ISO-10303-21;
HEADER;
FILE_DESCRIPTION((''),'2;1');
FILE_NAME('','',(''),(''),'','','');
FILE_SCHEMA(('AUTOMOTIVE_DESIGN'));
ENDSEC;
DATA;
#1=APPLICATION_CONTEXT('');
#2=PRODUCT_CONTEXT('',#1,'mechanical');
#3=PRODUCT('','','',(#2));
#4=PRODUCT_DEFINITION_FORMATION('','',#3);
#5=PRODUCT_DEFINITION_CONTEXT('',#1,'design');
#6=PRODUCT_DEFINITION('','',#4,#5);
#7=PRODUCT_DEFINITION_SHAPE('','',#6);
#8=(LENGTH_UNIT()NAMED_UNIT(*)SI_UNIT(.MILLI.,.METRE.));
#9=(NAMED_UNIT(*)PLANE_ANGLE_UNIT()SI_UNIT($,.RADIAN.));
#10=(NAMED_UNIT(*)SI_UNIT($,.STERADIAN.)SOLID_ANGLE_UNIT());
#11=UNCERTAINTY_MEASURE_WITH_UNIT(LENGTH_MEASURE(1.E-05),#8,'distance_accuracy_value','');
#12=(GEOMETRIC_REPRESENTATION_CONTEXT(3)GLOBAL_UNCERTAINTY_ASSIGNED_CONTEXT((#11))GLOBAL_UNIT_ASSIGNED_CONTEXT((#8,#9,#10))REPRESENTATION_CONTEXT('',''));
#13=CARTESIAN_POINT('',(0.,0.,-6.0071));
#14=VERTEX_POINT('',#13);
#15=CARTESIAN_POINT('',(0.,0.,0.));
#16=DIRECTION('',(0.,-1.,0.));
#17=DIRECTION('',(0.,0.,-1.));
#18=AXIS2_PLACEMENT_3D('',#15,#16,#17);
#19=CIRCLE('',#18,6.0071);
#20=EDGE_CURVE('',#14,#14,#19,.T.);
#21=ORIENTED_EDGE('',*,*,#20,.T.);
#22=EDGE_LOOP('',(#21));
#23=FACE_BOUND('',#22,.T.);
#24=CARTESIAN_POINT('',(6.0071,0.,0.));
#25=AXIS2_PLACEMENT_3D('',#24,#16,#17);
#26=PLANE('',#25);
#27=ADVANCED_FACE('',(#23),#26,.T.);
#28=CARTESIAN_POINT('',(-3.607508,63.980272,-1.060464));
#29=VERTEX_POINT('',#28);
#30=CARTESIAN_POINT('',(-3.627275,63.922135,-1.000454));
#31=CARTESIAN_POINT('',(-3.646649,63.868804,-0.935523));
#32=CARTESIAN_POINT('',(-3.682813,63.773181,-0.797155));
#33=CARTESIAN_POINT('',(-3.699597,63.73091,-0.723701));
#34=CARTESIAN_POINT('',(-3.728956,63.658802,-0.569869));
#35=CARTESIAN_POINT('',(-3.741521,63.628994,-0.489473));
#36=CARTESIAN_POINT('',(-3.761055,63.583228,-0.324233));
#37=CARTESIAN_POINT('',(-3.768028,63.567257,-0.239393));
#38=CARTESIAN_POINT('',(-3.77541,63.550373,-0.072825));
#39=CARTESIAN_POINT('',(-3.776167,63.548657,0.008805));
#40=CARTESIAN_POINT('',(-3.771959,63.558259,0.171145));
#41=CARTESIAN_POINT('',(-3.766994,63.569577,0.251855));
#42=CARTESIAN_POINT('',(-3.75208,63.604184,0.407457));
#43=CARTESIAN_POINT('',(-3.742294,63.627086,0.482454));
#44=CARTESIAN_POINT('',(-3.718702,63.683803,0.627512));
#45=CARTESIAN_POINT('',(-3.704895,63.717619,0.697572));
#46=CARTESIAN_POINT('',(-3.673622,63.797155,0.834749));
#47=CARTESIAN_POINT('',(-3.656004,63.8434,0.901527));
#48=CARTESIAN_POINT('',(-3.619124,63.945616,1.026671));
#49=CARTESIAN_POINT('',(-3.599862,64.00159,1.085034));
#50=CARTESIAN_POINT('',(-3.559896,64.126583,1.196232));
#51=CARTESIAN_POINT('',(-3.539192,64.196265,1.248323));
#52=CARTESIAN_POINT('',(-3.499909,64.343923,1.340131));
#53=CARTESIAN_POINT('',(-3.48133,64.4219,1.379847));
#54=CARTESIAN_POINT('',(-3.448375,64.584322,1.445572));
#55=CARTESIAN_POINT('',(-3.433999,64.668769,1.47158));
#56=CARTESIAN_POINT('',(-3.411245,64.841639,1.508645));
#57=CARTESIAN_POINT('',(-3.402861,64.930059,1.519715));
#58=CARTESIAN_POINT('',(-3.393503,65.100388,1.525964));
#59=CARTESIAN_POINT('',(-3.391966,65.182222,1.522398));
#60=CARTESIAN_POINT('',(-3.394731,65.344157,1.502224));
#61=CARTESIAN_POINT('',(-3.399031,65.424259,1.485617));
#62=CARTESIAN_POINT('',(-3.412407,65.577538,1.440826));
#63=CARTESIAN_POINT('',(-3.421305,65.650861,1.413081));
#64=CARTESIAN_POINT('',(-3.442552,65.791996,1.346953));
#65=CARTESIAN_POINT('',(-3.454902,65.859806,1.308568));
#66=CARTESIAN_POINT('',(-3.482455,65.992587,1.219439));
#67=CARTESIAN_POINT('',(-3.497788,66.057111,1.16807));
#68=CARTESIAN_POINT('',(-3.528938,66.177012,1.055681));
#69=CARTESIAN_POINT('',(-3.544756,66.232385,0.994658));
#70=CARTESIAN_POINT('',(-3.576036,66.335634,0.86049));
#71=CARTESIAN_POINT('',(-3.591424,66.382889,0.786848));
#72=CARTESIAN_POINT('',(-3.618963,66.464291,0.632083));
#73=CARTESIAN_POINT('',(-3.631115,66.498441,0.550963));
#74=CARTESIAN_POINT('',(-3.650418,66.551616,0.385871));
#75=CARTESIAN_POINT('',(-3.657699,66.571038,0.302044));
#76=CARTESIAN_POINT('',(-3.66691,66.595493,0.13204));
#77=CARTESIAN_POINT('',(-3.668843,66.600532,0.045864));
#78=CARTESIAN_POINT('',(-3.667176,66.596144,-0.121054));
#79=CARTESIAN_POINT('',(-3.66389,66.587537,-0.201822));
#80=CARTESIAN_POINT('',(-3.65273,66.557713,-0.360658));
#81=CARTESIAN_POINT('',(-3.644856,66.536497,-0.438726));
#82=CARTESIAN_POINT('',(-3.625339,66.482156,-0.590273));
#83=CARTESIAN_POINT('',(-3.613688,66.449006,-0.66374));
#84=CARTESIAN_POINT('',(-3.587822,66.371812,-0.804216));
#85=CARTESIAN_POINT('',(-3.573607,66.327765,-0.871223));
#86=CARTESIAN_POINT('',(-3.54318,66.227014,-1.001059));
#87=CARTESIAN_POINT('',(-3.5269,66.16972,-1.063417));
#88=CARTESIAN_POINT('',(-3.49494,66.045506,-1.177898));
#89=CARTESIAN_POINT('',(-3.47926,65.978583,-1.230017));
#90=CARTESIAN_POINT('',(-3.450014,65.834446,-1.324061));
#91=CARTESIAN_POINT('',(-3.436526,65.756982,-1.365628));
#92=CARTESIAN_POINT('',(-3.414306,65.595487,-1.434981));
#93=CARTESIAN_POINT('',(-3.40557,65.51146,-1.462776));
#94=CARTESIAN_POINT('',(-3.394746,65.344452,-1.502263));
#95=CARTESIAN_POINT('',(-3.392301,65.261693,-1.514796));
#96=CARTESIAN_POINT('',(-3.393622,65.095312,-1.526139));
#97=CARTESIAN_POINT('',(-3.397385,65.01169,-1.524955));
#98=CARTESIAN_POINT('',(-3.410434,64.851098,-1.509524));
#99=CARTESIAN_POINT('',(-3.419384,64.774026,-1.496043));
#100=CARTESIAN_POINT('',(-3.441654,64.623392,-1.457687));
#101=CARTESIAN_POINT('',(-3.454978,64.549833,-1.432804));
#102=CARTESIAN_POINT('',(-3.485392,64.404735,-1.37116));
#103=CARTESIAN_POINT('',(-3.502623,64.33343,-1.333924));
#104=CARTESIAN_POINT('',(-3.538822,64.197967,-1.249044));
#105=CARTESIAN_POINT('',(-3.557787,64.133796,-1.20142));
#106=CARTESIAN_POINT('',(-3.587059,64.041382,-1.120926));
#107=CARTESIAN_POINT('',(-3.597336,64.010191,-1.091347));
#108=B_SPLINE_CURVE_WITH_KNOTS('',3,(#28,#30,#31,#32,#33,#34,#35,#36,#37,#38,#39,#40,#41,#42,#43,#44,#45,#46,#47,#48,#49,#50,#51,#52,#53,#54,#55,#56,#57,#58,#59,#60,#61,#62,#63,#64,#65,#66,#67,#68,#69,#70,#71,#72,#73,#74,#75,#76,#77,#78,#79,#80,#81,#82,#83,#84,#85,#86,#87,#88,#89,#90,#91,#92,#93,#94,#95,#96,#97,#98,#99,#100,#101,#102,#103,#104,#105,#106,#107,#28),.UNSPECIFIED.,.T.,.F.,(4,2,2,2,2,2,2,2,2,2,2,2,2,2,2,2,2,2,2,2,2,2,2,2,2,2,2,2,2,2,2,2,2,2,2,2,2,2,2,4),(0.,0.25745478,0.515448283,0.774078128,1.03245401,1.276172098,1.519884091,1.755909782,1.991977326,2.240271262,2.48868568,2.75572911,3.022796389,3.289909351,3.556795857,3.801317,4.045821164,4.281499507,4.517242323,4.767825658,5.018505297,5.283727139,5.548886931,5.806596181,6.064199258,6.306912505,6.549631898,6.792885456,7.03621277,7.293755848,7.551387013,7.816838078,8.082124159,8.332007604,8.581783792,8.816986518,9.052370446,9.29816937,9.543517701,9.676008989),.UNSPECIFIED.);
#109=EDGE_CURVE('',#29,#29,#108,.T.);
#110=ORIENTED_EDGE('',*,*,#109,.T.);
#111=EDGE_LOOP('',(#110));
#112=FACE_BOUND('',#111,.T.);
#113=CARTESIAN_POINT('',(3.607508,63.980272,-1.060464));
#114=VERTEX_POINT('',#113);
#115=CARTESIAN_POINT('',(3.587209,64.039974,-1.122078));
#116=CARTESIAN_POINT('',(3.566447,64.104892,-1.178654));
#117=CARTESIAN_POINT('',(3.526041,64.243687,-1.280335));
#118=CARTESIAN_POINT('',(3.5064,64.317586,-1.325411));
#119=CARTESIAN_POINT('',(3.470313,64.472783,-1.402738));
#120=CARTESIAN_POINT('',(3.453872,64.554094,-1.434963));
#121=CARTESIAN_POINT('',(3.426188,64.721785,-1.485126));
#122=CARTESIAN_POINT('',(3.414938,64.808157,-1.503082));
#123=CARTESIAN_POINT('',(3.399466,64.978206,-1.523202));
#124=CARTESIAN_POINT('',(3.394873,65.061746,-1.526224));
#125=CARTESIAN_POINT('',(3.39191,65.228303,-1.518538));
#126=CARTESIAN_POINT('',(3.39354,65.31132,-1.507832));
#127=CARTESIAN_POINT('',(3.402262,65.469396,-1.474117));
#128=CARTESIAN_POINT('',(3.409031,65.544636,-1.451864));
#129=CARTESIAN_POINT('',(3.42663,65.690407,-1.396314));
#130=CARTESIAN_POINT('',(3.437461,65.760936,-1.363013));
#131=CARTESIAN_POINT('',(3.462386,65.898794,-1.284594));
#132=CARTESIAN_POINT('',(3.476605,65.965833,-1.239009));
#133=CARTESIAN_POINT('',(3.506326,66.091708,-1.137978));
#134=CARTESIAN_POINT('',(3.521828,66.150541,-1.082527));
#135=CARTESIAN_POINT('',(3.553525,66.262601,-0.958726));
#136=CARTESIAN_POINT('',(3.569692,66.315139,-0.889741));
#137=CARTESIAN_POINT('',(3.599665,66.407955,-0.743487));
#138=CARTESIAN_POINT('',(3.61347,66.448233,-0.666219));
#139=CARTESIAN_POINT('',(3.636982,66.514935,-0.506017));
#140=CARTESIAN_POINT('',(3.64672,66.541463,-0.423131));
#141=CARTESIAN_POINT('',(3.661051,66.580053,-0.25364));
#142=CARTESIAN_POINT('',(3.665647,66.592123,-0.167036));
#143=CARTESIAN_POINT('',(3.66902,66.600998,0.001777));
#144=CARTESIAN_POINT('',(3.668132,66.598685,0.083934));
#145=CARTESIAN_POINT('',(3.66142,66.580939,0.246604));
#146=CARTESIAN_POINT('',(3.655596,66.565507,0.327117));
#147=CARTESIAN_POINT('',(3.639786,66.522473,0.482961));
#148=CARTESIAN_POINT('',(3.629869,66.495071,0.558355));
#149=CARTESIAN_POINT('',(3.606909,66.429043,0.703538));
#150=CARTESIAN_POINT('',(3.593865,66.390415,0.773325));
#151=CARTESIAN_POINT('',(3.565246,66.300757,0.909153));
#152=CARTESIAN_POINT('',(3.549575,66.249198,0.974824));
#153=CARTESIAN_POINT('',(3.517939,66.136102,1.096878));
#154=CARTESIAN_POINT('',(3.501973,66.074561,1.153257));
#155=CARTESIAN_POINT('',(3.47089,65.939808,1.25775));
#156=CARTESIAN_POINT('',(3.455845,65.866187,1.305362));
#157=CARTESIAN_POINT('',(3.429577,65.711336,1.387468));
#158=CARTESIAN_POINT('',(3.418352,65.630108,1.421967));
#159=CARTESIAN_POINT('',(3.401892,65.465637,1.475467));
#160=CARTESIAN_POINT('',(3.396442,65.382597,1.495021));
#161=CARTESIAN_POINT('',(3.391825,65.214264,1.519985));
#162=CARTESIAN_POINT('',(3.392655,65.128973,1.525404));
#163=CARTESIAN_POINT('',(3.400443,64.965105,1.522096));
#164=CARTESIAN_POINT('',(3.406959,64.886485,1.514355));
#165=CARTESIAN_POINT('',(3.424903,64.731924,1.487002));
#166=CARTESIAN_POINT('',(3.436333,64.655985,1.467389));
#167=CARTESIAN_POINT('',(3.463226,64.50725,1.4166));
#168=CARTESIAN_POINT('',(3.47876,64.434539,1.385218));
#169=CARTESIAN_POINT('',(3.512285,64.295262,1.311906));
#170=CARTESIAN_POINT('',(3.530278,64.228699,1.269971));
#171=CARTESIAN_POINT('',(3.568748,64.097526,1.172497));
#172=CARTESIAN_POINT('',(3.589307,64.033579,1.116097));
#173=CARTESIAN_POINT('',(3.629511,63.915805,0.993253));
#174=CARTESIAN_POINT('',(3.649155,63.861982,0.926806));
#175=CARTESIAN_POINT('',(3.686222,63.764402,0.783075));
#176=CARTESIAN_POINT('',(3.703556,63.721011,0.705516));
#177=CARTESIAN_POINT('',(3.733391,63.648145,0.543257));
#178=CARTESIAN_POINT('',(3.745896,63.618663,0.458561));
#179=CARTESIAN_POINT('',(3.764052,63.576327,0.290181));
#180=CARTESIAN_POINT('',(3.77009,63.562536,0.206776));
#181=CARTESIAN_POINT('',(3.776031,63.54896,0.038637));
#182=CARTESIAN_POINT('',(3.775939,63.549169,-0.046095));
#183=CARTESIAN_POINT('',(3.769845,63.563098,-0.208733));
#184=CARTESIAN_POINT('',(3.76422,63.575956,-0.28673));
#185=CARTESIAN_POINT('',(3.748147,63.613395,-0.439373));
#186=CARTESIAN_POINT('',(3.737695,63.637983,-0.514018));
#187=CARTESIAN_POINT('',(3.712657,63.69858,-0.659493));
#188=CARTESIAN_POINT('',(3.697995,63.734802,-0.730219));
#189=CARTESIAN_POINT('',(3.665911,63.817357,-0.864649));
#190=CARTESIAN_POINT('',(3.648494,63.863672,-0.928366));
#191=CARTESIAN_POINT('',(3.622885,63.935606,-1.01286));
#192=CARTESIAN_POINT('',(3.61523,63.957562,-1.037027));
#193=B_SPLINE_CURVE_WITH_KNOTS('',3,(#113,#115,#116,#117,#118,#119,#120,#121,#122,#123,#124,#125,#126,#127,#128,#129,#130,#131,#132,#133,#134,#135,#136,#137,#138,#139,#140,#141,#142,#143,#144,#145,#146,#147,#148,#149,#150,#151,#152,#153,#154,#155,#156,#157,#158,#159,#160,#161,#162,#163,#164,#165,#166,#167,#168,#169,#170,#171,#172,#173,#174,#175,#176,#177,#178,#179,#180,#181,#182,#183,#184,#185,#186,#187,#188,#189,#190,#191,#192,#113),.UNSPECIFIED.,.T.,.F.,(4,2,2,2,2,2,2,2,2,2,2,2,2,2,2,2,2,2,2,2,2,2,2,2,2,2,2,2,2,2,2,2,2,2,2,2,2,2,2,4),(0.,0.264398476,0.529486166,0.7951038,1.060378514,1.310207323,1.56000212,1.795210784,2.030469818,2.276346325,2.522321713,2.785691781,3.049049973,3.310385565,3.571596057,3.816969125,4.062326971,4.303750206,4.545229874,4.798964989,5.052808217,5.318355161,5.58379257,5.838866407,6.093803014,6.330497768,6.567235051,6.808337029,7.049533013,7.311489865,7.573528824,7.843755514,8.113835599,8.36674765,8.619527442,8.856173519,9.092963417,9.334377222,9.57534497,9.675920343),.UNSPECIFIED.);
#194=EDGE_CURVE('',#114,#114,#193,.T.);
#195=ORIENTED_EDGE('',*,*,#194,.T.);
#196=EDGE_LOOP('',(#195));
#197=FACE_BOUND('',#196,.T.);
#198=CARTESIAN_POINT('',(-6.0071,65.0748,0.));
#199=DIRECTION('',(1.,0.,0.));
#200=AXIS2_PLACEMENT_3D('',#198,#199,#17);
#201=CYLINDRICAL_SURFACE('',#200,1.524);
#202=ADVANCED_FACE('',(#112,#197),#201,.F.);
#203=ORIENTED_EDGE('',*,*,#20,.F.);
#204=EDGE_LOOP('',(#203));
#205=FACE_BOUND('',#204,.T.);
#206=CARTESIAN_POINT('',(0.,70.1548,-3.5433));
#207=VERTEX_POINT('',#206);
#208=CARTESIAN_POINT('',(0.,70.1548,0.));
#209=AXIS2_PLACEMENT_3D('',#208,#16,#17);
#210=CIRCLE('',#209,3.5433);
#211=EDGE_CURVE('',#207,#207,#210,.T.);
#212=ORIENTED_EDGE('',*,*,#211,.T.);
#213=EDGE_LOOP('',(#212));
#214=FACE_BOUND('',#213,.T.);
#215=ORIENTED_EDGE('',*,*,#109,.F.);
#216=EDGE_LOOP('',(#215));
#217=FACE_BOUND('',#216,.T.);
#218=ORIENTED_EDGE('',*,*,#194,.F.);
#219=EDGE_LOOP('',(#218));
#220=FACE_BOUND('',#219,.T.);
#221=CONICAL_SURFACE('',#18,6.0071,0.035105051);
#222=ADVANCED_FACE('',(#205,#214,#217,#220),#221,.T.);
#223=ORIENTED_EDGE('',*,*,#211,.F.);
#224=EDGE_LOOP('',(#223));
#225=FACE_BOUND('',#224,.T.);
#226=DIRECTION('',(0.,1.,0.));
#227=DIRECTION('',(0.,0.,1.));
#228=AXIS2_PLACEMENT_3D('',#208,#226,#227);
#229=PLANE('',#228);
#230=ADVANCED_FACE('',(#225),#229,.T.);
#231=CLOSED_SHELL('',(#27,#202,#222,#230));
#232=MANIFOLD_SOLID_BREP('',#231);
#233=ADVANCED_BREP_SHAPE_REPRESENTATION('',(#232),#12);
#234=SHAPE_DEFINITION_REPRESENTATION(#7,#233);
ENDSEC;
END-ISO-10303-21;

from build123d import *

# Parameters (mm, degrees)
CUT_EXTRUDE1_DEPTH      = 71.66729416
CUT_EXTRUDE1_DEPTH_BACK = 71.66729416
SKETCH2_R               = 1.524


with BuildPart() as part:
    # Sketch1 → Revolve1 (revolve)
    with BuildSketch(Plane.XY, mode=Mode.PRIVATE) as revolve1_sk:
        Polygon((0, 0), (0, 70.1548), (3.5433, 70.1548), (6.0071, 0), align=None)
    revolve(revolve1_sk.sketch.rotate(Axis((0, 0, 0), (0, 1, 0)), 90), axis=Axis((0, 0, 0), (0, 1, 0)))

    # Sketch2 → Cut-Extrude1 (cut, two sides: drawn at the far end of the back side and taken through both)
    with BuildSketch(Plane(origin=(0, 0, 0), x_dir=(0, 0, -1), z_dir=(1, 0, 0)).offset(-CUT_EXTRUDE1_DEPTH_BACK)):
        with Locations(Location((0, 65.0748, 0), (0, 0, 314.094407866))):
            Circle(SKETCH2_R)
    extrude(amount=CUT_EXTRUDE1_DEPTH + CUT_EXTRUDE1_DEPTH_BACK, mode=Mode.SUBTRACT)


solid = part.part
